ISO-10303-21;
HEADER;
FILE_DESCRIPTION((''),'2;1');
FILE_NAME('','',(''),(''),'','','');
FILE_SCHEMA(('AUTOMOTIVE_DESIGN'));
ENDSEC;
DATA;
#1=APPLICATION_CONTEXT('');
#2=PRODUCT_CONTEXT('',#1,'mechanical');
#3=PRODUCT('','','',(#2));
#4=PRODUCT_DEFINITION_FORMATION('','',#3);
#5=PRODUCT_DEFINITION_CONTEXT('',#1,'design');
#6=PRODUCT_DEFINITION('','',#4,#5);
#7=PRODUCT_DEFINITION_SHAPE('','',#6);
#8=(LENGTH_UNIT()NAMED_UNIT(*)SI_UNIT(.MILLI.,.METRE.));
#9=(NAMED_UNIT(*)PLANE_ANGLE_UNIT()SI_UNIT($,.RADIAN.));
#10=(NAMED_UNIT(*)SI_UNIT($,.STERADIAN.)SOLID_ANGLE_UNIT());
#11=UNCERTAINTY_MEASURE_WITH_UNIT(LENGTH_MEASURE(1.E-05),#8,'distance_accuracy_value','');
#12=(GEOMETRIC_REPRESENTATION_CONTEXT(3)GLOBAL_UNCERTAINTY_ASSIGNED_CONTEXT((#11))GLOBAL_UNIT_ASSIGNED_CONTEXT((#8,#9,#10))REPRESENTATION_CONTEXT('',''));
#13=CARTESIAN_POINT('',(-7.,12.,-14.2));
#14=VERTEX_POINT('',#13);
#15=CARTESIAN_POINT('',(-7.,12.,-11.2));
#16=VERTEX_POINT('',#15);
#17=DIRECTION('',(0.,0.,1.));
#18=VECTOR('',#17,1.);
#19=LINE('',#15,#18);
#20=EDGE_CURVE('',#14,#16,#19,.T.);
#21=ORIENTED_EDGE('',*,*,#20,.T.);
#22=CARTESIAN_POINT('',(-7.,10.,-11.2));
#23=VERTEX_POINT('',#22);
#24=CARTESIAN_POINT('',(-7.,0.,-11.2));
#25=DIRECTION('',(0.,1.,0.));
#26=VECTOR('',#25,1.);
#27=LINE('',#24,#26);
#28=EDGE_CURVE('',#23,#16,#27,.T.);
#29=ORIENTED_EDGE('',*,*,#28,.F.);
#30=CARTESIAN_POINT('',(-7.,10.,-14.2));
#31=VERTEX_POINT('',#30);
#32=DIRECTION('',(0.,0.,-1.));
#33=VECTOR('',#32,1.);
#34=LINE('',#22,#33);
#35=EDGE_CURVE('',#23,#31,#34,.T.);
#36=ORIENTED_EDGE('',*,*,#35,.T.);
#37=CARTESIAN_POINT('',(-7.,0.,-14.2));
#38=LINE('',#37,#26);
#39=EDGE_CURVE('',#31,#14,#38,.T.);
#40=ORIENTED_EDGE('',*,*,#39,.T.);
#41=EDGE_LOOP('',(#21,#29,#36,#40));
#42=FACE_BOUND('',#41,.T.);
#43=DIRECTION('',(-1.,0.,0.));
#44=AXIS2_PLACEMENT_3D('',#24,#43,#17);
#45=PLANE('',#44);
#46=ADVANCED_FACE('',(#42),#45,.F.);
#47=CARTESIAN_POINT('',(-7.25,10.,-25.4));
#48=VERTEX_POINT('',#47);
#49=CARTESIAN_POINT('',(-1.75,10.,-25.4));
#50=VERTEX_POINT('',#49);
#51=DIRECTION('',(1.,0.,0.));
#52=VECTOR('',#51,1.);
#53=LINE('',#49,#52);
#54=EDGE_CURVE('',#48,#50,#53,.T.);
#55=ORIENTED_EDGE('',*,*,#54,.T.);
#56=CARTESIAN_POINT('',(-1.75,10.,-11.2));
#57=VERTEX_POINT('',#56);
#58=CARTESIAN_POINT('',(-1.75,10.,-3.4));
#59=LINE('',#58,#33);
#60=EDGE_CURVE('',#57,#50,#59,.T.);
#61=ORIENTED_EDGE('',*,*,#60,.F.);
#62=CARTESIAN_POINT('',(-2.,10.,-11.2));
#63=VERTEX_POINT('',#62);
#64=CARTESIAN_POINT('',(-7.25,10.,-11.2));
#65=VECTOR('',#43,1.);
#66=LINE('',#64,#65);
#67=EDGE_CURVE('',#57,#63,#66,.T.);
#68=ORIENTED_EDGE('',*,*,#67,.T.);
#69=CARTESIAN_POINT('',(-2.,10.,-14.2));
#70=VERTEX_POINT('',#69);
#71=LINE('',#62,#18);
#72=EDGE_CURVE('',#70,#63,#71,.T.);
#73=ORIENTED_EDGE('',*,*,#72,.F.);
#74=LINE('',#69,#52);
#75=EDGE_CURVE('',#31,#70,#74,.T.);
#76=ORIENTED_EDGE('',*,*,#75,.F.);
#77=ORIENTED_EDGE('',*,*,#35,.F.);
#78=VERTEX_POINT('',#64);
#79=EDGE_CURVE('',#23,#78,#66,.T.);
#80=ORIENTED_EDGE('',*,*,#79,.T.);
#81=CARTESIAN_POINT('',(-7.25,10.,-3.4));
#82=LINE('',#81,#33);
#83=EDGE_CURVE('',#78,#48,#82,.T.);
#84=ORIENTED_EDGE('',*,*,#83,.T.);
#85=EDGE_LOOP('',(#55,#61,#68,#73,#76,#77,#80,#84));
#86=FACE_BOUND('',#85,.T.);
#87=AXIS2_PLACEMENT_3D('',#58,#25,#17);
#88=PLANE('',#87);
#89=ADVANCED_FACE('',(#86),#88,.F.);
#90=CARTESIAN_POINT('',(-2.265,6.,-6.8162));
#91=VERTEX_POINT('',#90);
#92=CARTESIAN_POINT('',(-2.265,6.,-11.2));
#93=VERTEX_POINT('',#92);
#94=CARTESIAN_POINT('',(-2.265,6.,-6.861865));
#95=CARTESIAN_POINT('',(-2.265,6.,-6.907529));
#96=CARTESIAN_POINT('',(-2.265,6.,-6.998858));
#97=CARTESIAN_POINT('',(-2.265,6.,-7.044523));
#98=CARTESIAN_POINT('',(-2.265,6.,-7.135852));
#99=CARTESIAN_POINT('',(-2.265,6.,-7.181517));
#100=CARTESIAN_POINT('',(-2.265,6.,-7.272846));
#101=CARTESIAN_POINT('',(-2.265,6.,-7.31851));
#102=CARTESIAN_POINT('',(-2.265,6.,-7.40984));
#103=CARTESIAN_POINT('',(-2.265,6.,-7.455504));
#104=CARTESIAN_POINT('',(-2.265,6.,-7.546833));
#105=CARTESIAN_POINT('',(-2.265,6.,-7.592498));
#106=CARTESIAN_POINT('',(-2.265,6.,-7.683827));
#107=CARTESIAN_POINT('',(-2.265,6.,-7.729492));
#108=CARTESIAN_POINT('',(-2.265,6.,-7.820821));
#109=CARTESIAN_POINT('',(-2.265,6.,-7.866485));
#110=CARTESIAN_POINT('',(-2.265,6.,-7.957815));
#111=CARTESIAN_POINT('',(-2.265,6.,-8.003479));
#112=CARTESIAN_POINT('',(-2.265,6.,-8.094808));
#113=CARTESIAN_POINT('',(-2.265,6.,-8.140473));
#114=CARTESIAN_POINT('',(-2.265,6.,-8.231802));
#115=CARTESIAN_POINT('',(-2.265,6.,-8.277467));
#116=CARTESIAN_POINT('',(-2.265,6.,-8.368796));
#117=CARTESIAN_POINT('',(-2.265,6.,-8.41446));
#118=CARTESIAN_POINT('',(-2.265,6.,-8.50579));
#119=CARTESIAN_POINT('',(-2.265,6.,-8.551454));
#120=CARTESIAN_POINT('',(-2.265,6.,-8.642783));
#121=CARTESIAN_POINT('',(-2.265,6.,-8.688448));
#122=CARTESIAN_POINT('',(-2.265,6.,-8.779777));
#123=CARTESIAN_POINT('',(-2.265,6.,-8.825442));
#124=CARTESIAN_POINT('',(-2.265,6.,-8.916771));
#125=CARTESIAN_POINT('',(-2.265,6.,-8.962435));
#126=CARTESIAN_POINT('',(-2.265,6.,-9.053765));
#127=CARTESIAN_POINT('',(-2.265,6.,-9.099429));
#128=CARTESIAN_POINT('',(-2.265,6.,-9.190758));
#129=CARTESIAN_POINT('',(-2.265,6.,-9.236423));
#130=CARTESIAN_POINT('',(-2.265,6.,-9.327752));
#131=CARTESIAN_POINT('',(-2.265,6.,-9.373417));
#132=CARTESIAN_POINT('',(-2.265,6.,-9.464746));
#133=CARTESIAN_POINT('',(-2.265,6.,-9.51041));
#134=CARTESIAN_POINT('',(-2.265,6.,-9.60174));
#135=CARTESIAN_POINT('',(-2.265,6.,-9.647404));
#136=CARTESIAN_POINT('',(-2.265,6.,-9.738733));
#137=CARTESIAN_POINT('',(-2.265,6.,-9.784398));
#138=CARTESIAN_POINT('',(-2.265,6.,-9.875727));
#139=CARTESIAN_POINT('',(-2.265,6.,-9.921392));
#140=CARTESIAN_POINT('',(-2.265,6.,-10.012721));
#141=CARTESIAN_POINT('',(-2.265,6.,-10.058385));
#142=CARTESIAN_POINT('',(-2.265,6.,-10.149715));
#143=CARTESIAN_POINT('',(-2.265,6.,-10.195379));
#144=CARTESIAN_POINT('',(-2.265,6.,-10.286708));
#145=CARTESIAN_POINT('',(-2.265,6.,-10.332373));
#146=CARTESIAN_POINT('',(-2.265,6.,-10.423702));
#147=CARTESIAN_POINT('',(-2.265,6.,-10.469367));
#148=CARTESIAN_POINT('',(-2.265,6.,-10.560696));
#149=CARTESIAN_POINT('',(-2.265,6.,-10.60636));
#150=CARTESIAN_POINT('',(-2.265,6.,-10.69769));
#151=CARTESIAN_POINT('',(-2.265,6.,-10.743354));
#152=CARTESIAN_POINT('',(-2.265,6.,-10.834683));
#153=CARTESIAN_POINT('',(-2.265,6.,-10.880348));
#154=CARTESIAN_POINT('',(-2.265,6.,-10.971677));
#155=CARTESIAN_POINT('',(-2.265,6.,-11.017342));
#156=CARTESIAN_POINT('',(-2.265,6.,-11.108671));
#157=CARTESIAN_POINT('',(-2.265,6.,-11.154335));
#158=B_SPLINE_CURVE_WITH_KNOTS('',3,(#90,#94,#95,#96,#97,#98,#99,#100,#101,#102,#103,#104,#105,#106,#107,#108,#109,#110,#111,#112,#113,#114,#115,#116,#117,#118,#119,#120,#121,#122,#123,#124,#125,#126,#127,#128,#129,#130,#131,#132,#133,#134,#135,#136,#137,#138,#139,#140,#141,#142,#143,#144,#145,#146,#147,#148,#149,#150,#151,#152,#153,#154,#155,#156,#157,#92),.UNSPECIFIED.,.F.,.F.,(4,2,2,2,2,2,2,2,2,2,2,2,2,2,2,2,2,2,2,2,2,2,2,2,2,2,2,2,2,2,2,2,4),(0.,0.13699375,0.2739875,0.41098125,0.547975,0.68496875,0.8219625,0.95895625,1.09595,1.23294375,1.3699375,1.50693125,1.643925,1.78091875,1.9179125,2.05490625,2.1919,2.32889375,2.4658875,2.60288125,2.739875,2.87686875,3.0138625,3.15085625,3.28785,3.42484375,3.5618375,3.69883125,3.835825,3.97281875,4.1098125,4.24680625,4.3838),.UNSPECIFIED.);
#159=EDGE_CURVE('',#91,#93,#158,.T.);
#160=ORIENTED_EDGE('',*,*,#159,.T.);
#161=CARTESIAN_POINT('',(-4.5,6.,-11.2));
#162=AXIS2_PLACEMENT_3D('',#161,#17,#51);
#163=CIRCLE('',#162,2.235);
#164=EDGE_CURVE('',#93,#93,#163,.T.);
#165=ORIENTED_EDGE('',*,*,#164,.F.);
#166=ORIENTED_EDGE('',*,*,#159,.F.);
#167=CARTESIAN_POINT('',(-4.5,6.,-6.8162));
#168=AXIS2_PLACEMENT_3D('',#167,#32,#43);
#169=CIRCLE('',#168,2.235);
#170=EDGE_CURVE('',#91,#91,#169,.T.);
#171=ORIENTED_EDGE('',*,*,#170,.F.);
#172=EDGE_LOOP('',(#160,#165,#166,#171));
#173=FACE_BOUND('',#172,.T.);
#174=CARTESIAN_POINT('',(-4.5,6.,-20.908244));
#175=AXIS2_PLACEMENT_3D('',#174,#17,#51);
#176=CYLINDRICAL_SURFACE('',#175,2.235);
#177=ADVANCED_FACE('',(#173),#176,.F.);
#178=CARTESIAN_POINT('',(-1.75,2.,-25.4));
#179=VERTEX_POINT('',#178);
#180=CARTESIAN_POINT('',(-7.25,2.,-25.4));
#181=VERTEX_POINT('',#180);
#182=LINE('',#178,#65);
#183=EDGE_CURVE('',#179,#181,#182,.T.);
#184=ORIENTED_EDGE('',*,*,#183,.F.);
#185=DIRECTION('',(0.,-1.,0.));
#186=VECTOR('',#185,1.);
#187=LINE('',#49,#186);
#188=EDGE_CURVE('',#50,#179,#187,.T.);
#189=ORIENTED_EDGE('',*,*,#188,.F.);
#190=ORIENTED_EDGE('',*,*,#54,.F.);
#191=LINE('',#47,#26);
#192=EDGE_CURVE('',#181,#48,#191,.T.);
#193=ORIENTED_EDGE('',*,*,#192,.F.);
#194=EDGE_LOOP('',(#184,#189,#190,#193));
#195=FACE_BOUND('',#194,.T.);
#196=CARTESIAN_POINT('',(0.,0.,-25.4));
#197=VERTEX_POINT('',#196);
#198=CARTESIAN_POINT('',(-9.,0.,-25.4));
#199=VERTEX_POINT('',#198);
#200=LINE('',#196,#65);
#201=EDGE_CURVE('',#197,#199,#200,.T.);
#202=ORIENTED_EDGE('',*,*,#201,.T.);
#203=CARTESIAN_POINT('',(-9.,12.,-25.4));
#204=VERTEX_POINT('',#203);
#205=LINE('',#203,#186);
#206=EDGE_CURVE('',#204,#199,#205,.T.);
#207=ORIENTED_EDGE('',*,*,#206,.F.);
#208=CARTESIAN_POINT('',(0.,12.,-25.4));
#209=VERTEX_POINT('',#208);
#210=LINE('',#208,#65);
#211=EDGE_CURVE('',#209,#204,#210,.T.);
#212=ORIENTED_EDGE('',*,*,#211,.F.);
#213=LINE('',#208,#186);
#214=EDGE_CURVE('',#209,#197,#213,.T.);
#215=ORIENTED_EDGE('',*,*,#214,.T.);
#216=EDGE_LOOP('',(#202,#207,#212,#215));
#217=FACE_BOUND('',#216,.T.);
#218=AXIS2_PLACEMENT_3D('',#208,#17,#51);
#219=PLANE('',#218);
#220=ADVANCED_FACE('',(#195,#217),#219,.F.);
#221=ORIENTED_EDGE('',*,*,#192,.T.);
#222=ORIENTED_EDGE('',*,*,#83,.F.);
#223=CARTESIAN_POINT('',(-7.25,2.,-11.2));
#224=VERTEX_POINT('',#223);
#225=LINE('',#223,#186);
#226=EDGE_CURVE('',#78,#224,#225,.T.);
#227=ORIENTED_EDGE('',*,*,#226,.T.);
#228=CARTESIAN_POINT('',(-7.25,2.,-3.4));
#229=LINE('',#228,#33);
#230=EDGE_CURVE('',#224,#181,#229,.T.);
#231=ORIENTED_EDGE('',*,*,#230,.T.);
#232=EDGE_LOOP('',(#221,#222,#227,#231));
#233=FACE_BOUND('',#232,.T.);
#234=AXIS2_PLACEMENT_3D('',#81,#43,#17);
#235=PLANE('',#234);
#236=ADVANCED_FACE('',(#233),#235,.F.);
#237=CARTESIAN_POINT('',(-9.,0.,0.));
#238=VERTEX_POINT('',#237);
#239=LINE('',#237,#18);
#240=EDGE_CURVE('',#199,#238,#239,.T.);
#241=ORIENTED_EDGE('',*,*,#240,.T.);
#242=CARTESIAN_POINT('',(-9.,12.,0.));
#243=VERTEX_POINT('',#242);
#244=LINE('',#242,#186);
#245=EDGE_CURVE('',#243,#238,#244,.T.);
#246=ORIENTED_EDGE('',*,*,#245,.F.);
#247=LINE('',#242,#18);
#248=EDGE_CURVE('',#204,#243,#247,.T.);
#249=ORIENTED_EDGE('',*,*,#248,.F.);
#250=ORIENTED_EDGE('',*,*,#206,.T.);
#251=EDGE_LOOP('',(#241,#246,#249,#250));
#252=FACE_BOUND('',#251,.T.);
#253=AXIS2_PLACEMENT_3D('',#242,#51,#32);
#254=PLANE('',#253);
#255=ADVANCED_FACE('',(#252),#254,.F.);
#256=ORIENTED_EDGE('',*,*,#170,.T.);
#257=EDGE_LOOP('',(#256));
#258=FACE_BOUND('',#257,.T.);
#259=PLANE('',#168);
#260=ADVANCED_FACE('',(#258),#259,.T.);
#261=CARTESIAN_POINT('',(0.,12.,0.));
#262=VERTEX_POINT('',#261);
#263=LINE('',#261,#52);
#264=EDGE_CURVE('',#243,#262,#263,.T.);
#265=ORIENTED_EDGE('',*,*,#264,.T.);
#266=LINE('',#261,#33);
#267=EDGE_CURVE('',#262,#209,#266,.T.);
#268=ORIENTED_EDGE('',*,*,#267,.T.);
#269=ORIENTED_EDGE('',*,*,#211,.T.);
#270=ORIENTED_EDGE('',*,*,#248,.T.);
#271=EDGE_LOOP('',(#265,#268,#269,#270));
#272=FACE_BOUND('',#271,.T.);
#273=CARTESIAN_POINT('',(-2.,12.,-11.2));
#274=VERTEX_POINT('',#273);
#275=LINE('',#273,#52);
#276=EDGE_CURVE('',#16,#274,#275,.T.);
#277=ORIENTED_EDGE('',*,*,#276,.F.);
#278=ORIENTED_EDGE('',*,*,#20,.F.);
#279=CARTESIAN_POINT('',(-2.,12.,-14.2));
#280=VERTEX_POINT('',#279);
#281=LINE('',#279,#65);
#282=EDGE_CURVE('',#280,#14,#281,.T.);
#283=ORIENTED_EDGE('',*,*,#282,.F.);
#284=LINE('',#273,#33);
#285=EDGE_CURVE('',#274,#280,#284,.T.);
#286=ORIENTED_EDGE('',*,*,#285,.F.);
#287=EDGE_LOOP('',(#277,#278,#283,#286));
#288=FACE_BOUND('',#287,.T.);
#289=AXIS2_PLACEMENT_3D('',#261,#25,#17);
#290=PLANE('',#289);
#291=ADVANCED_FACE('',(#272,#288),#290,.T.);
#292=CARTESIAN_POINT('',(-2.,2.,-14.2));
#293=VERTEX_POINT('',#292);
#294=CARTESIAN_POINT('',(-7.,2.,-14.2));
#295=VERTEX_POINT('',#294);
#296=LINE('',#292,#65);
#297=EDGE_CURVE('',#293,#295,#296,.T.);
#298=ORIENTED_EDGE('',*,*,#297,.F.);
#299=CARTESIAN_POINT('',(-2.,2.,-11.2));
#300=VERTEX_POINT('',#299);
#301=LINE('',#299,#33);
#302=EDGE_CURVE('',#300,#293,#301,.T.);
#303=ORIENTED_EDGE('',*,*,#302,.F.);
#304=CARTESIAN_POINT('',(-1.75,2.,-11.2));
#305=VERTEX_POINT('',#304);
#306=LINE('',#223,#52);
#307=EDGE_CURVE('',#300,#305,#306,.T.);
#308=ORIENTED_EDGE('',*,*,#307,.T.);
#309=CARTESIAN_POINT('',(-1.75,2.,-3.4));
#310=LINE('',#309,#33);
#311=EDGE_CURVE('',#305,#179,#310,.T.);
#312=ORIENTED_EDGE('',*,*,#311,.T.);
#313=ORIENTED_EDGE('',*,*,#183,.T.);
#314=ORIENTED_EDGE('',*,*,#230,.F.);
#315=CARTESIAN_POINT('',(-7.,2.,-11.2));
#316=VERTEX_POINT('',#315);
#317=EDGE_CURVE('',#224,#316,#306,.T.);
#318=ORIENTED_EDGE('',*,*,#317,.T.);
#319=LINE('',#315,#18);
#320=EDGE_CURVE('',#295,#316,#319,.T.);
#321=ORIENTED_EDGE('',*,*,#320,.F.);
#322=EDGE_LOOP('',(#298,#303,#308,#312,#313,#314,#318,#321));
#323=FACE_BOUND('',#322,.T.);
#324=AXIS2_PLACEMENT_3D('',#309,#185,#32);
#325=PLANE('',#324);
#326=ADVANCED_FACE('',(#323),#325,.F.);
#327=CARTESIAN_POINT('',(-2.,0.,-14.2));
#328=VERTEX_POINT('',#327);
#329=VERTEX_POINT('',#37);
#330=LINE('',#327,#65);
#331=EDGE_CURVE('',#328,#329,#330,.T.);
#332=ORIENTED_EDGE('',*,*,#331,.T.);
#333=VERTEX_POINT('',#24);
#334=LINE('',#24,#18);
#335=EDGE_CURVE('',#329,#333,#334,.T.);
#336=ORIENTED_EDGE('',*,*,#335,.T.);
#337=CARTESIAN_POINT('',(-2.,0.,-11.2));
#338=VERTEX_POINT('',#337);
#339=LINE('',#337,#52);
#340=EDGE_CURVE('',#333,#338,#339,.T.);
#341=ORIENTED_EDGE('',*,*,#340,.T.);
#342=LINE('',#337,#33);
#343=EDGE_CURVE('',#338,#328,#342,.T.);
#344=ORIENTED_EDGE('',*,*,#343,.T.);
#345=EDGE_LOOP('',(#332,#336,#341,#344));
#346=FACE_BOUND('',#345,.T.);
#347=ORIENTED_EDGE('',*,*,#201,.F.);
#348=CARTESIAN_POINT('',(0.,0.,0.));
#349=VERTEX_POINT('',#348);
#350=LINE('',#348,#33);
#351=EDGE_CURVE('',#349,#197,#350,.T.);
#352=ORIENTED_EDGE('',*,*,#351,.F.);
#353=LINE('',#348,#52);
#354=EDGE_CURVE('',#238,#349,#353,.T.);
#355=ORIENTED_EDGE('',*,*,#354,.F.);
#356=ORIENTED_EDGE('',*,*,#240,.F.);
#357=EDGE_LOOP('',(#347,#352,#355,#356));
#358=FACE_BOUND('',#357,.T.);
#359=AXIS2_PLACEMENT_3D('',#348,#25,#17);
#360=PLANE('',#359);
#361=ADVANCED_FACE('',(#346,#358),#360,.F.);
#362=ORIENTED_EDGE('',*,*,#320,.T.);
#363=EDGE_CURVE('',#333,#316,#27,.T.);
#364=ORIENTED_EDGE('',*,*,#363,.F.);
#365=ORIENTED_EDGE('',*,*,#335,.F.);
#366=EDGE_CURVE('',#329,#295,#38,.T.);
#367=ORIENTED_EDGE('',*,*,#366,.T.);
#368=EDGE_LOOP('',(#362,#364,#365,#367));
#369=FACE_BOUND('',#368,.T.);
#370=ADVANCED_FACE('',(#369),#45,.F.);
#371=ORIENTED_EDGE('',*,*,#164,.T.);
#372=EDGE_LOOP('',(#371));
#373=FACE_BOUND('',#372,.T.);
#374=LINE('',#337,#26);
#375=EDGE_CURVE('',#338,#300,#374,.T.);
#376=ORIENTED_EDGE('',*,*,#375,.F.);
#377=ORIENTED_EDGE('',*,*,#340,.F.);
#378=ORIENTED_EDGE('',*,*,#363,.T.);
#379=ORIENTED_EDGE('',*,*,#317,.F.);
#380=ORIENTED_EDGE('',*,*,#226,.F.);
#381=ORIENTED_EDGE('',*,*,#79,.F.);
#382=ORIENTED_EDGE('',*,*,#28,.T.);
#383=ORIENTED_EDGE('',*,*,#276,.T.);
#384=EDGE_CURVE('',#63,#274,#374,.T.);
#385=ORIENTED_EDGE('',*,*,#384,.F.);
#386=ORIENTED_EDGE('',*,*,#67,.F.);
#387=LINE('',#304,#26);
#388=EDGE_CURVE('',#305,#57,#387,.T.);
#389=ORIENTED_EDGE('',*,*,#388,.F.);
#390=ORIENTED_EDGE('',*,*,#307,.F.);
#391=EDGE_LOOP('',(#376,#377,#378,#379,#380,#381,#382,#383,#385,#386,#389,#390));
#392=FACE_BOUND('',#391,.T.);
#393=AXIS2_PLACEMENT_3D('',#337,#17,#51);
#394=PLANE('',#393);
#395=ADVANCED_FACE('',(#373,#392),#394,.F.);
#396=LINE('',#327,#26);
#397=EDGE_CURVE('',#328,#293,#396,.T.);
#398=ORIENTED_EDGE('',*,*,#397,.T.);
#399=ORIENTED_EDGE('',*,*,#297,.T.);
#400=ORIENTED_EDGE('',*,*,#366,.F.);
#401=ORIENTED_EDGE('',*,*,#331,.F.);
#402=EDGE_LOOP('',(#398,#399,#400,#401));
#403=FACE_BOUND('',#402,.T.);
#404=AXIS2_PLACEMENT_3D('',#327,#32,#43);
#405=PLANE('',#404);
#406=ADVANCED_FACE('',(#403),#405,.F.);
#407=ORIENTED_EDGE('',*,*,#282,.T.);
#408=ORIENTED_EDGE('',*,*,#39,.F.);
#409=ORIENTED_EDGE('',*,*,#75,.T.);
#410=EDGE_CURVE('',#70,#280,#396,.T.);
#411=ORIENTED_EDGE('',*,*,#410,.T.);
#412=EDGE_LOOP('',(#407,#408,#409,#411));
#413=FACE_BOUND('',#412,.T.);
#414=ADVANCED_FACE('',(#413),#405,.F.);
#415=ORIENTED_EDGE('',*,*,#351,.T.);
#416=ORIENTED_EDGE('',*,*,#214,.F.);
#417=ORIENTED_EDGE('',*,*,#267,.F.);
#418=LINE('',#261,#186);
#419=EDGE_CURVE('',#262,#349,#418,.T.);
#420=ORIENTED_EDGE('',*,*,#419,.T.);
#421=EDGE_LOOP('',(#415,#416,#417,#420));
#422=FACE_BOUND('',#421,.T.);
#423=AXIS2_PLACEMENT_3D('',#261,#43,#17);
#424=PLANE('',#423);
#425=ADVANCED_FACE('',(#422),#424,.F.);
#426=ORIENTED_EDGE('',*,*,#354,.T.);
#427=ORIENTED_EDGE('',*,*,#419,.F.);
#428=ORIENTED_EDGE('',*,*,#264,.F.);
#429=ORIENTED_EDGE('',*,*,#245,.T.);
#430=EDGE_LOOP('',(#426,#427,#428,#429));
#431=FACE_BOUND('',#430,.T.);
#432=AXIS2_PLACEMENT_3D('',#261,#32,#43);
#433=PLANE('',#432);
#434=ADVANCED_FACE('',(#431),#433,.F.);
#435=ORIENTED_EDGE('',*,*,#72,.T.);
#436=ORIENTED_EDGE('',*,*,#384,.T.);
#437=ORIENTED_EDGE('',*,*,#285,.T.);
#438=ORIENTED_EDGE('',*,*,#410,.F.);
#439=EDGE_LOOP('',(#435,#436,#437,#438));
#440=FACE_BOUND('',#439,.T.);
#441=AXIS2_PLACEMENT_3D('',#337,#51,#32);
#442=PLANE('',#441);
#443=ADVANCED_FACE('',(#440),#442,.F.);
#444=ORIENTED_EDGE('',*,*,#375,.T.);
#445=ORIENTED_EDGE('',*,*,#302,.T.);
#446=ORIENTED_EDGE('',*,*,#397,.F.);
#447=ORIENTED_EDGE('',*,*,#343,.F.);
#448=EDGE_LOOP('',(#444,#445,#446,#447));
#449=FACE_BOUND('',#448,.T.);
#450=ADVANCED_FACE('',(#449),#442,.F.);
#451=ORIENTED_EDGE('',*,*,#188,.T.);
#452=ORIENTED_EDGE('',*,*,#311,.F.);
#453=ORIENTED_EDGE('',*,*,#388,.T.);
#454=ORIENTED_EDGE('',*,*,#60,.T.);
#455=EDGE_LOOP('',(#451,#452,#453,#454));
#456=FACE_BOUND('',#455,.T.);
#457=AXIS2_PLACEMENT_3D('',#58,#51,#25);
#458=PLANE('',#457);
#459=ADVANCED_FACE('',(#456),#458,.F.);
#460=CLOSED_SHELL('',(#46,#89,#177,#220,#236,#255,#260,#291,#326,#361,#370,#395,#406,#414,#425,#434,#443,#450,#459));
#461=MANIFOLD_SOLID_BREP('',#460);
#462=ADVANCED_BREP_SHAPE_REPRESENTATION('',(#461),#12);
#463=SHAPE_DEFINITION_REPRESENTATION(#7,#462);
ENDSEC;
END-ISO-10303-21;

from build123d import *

# Parameters (mm, degrees)
SKETCH1_W           = 9
SKETCH1_H           = 25.4
BOSS_EXTRUDE1_DEPTH = 12
SKETCH2_W           = 5
SKETCH2_H           = 3
CUT_EXTRUDE1_DEPTH  = 30.498474537
SKETCH4_W           = 5.5
SKETCH4_H           = 8
CUT_EXTRUDE2_DEPTH  = 22
SKETCH7_W           = 5.5
SKETCH7_H           = 8
SKETCH7_R           = 2.235
BOSS_EXTRUDE3_DEPTH = 7.8
SKETCH8_R           = 2.235
BOSS_EXTRUDE4_DEPTH = 3.4162


with BuildPart() as part:
    # Sketch1 → Boss-Extrude1 (new body)
    with BuildSketch(Plane(origin=(0, 0, 0), x_dir=(1, 0, 0), z_dir=(0, 1, 0))):
        with Locations((-4.5, 12.7)):
            Rectangle(SKETCH1_W, SKETCH1_H)
    extrude(amount=BOSS_EXTRUDE1_DEPTH)

    # Sketch2 → Cut-Extrude1 (cut, through all)
    with BuildSketch(Plane(origin=(0, 12, 0), x_dir=(1, 0, 0), z_dir=(0, 1, 0))):
        with Locations((-4.5, 12.7)):
            Rectangle(SKETCH2_W, SKETCH2_H)
    extrude(amount=-CUT_EXTRUDE1_DEPTH, mode=Mode.SUBTRACT)

    # Sketch4 → Cut-Extrude2 (cut)
    with BuildSketch(Plane(origin=(0, 0, -25.4), x_dir=(-1, 0, 0), z_dir=(0, 0, -1))):
        with Locations((4.5, 6)):
            Rectangle(SKETCH4_W, SKETCH4_H)
    extrude(amount=-CUT_EXTRUDE2_DEPTH, mode=Mode.SUBTRACT)

    # Sketch7 → Boss-Extrude3 (add)
    with BuildSketch(Plane(origin=(0, 0, -3.4), x_dir=(-1, 0, 0), z_dir=(0, 0, -1))):
        with Locations((4.5, 6)):
            Rectangle(SKETCH7_W, SKETCH7_H)
        with Locations(Location((4.5, 6, 0), (0, 0, 180))):
            Circle(SKETCH7_R, mode=Mode.SUBTRACT)
    extrude(amount=BOSS_EXTRUDE3_DEPTH)

    # Sketch8 → Boss-Extrude4 (add)
    with BuildSketch(Plane(origin=(0, 0, -3.4), x_dir=(-1, 0, 0), z_dir=(0, 0, -1))):
        with Locations(Location((4.5, 6, 0), (0, 0, 180))):
            Circle(SKETCH8_R)
    extrude(amount=BOSS_EXTRUDE4_DEPTH)


solid = part.part
